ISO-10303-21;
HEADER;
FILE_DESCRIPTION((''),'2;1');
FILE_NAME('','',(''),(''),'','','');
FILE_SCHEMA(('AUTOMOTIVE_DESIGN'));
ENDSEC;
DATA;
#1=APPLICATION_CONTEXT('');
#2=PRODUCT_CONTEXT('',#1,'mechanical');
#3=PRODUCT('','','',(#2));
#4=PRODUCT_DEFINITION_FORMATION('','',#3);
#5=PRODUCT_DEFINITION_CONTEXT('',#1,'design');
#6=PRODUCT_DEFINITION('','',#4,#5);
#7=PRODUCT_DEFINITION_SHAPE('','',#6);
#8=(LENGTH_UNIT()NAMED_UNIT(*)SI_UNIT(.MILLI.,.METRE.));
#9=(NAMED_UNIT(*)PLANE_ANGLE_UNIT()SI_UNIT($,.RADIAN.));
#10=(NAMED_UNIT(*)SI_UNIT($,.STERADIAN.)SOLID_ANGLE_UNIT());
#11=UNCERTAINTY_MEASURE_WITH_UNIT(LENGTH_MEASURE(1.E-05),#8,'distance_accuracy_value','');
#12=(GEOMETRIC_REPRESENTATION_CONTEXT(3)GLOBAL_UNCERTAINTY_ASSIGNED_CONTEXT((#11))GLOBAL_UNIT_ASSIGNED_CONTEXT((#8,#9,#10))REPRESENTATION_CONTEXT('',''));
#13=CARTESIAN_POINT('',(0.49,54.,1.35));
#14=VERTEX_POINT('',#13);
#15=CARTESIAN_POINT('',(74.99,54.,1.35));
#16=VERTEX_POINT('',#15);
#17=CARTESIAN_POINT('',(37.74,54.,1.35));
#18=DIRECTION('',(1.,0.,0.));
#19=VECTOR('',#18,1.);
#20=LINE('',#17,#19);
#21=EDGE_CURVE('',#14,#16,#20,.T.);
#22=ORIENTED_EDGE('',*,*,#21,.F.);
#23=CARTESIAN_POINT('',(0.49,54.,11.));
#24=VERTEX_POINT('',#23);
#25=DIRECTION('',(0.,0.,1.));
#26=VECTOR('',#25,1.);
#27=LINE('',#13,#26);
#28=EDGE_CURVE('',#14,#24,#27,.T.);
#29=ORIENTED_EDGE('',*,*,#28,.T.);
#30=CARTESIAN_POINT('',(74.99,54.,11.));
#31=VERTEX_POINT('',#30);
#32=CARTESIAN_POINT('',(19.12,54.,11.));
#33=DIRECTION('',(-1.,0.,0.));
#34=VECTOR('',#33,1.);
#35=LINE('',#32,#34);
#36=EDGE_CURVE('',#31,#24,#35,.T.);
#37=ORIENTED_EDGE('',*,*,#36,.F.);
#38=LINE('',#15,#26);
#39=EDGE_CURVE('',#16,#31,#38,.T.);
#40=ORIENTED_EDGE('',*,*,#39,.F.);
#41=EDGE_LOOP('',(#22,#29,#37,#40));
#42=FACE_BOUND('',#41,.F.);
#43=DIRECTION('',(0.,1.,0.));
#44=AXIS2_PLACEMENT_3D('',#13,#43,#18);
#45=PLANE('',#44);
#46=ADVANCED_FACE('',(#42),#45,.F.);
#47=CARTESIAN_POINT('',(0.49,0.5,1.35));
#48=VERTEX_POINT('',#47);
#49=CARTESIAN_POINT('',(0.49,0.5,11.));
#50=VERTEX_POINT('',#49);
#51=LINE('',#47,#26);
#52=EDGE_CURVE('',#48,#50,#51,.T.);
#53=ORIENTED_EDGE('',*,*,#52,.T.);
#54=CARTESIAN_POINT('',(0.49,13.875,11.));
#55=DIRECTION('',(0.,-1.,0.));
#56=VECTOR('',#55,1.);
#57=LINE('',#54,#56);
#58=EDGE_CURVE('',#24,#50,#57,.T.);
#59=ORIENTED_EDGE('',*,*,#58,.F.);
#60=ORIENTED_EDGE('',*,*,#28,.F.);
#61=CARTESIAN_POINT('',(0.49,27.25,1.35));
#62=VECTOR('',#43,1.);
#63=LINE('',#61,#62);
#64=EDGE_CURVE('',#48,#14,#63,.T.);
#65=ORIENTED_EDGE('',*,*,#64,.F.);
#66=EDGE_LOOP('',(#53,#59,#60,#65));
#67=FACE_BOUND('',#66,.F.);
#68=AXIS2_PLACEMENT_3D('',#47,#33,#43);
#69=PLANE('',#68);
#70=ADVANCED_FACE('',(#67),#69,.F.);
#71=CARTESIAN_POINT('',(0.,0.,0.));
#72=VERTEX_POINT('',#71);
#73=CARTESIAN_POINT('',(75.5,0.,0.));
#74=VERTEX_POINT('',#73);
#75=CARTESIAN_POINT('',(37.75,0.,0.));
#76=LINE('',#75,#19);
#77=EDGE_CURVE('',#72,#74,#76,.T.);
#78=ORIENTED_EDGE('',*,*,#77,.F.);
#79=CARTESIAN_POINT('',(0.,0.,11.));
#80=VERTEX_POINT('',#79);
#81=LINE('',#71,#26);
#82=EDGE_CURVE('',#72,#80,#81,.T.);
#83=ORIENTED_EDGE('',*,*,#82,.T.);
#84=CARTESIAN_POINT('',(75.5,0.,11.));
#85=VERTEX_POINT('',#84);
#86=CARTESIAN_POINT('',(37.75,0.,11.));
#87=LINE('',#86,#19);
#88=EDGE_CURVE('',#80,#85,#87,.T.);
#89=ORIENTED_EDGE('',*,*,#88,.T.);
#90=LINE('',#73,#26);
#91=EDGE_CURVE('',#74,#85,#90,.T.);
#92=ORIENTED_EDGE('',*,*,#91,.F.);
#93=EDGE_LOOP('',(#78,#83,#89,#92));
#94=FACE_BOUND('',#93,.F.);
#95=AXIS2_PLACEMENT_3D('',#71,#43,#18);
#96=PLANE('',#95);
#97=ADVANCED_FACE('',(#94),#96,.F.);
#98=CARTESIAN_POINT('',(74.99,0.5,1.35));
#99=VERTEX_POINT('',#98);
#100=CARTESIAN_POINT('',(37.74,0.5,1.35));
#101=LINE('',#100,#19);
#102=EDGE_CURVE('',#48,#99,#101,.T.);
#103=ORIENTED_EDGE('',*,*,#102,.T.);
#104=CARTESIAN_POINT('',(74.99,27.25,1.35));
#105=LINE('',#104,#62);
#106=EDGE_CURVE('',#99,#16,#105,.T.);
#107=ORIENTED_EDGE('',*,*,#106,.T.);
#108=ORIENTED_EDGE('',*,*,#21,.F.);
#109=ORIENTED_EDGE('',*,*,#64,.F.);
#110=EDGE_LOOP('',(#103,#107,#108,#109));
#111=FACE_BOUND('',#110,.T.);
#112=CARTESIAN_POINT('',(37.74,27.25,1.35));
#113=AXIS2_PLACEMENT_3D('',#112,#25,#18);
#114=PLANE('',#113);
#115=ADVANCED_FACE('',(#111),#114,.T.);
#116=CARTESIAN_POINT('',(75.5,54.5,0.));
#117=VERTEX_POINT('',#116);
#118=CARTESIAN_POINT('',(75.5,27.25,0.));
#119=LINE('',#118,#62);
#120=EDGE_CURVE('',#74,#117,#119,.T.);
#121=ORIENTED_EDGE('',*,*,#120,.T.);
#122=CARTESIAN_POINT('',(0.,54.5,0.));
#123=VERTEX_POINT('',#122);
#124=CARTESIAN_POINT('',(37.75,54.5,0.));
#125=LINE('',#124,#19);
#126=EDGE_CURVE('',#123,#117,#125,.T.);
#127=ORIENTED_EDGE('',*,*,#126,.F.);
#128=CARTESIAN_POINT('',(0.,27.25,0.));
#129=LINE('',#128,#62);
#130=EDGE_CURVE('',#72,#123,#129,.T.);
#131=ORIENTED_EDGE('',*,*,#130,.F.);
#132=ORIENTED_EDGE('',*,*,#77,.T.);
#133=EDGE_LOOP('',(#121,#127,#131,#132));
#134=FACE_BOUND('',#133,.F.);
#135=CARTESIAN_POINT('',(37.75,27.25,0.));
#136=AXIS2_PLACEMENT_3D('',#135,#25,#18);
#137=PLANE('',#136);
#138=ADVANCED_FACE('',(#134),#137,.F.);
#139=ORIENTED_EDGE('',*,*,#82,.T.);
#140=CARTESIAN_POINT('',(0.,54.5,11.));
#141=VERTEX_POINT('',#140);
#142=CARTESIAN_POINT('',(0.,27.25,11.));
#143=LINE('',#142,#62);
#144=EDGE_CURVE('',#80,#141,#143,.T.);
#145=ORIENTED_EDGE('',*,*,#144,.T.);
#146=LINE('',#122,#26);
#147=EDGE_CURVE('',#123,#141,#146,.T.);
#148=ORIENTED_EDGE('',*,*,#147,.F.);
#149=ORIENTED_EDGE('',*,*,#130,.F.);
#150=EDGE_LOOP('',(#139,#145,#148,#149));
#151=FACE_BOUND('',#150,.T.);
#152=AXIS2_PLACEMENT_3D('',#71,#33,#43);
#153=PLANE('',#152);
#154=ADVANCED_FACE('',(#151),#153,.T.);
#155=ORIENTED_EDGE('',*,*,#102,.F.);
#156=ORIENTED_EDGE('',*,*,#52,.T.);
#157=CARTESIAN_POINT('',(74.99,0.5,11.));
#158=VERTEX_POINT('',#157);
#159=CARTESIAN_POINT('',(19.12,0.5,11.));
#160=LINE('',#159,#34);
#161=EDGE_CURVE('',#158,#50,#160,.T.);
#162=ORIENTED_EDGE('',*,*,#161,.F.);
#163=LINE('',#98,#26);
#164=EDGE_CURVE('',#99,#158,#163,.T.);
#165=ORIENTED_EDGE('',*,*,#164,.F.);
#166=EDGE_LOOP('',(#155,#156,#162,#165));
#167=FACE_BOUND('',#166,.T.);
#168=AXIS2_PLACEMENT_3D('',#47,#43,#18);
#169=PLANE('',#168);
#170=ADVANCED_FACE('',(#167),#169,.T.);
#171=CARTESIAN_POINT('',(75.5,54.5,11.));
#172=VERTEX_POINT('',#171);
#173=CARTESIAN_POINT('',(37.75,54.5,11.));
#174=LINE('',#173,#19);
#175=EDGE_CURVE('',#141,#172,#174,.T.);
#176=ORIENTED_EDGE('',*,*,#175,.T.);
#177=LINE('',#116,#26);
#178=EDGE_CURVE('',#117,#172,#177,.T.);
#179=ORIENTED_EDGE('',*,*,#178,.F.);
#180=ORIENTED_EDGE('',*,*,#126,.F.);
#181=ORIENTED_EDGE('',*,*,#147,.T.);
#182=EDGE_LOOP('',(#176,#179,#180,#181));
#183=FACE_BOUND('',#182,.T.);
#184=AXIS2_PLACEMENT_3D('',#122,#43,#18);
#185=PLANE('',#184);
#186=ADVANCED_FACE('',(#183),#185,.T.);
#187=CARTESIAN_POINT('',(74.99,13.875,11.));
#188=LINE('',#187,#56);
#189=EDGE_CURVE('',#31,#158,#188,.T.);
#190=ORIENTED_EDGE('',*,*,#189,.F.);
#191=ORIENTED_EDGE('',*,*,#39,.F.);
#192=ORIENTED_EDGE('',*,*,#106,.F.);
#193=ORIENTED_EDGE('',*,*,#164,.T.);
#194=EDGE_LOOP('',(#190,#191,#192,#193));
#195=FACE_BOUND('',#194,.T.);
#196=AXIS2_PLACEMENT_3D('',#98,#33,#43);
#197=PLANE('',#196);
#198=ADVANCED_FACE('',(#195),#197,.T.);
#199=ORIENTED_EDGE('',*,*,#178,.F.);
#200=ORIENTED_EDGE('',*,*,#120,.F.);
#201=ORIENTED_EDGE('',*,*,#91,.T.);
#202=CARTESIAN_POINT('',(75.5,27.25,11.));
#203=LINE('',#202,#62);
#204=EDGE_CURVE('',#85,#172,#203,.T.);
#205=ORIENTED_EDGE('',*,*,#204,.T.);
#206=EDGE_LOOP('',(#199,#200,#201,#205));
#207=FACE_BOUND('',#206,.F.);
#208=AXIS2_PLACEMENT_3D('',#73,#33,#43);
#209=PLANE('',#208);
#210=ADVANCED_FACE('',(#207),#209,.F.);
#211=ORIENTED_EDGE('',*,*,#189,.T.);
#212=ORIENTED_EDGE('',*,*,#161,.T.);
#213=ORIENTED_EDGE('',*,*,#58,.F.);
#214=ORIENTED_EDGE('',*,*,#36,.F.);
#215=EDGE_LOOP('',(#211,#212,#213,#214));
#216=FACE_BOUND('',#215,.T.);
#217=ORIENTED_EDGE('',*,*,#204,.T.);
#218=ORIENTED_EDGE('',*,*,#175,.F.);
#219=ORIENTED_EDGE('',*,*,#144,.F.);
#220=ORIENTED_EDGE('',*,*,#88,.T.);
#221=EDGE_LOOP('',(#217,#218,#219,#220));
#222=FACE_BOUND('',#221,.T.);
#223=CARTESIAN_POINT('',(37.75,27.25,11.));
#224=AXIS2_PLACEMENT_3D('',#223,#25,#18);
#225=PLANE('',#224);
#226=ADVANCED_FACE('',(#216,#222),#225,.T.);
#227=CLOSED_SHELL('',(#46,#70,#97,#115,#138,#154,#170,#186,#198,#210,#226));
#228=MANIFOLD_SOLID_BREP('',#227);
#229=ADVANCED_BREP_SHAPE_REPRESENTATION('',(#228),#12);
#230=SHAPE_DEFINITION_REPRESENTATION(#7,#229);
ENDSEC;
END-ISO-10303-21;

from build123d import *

# Parameters (mm, degrees)
BOX001_W     = 74.5
BOX001_H     = 53.5
BOX001_DEPTH = 10
BOX_W        = 75.5
BOX_H        = 54.5
BOX_DEPTH    = 11


with BuildPart() as cubo001:
    # Box001 → Box001 (new body)
    with BuildSketch(Plane(origin=(0.49, 0.5, 1.35), x_dir=(1, 0, 0), z_dir=(0, 0, 1))):
        with Locations((37.25, 26.75)):
            Rectangle(BOX001_W, BOX001_H)
    extrude(amount=BOX001_DEPTH)


with BuildPart() as cut:
    # Box → Box (new body)
    with BuildSketch(Plane.XY):
        with Locations((37.75, 27.25)):
            Rectangle(BOX_W, BOX_H)
    extrude(amount=BOX_DEPTH)

    # Cut: cut Cubo001
    add(cubo001.part, mode=Mode.SUBTRACT)


solid = cut.part
